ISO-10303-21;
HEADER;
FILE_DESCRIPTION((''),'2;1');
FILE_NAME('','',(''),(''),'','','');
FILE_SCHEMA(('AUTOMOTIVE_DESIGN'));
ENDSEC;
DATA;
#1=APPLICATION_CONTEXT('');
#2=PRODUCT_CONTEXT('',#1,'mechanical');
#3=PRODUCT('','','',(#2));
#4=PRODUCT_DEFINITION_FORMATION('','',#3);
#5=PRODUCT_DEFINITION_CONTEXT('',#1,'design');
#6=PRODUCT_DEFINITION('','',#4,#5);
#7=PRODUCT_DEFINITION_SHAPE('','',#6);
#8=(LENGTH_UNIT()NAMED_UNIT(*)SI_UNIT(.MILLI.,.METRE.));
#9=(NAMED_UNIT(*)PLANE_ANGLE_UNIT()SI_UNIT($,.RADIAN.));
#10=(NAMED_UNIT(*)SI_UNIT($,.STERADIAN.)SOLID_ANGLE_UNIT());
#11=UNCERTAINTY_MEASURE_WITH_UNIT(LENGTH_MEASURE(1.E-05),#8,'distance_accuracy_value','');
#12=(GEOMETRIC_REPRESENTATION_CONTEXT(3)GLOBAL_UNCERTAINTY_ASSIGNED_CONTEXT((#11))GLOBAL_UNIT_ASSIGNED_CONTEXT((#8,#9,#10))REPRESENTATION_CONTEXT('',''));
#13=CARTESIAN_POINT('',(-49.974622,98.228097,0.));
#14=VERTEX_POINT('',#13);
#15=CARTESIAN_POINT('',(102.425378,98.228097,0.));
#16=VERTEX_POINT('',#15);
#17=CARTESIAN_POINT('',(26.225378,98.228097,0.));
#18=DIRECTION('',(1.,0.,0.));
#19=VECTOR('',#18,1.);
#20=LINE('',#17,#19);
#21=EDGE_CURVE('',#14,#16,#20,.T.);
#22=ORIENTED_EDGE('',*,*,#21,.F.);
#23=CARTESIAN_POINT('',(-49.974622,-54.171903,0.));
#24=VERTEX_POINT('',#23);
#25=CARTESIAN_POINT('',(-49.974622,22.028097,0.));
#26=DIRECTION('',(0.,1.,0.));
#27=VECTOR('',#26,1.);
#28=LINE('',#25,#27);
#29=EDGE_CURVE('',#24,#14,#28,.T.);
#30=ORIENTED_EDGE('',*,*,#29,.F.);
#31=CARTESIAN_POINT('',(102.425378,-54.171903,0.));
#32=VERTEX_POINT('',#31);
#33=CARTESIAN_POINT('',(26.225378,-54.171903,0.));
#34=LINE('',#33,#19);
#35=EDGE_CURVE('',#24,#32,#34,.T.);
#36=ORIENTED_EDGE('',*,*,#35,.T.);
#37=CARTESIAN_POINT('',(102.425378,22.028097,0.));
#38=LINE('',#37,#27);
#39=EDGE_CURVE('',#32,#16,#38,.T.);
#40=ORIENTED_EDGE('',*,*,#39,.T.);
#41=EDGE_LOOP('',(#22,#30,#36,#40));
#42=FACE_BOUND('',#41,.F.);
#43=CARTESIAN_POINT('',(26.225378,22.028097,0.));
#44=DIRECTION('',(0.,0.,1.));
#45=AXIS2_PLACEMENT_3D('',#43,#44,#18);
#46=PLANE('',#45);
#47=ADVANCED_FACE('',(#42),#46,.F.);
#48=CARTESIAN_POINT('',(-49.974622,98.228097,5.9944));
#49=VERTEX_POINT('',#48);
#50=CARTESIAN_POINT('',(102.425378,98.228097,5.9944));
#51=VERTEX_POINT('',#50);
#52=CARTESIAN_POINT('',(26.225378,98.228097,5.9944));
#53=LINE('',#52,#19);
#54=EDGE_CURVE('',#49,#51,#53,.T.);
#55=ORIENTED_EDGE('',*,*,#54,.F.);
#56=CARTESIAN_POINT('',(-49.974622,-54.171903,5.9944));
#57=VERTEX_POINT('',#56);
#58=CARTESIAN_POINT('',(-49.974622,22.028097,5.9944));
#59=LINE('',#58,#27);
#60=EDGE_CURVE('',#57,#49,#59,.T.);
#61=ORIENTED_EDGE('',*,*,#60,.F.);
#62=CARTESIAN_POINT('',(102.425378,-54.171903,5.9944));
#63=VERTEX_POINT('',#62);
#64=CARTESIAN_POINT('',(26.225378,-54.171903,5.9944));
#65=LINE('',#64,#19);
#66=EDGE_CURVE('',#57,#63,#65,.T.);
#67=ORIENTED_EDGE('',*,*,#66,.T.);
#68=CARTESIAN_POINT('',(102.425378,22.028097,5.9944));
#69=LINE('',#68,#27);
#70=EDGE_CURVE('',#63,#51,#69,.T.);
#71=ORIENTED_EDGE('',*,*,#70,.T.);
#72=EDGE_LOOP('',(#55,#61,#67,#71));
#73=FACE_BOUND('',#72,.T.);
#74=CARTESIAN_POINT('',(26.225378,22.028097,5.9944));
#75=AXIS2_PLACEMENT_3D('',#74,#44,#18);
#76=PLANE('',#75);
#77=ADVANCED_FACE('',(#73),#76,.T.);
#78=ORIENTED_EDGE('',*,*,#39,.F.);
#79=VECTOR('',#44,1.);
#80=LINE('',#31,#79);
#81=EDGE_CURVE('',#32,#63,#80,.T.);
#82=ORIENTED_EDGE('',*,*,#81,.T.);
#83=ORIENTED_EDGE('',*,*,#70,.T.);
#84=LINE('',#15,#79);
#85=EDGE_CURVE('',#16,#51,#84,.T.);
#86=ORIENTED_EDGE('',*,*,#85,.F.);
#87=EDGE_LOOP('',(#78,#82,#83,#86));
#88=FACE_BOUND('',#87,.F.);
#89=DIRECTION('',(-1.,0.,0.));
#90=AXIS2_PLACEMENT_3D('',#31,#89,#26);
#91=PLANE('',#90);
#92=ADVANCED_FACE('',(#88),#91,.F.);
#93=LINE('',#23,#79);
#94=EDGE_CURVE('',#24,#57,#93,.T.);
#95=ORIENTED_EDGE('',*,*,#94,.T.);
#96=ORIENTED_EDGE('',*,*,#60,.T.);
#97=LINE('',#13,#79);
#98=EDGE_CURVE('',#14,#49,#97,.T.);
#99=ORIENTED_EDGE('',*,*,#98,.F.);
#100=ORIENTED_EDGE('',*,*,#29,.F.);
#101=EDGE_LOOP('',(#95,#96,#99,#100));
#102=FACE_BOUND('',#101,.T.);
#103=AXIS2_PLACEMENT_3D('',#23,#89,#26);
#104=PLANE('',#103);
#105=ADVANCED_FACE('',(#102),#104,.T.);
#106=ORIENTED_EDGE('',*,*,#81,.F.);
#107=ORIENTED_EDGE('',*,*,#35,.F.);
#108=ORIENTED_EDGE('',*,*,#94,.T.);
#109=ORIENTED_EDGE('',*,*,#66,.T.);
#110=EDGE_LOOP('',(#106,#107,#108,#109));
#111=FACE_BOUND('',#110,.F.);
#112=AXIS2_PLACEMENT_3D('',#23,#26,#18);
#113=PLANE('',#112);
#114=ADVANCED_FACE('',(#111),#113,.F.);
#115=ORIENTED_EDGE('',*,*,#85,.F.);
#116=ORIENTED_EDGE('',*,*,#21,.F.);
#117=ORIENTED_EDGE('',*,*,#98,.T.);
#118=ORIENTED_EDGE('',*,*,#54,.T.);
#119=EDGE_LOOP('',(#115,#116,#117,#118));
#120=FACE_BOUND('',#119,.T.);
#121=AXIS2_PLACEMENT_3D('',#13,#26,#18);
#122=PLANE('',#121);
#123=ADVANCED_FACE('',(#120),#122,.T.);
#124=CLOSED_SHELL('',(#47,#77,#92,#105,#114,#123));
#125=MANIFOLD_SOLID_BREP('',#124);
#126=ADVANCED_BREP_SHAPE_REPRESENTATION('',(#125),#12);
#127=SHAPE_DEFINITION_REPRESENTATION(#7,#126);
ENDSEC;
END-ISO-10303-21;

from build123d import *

# Parameters (mm, degrees)
SKETCH_W      = 152.4
SKETCH_H      = 152.4
EXTRUDE_DEPTH = 5.9944


with BuildPart() as part:
    # Sketch → Extrude (new body)
    with BuildSketch(Plane.XY):
        with Locations((26.225378, 22.028097)):
            Rectangle(SKETCH_W, SKETCH_H)
    extrude(amount=EXTRUDE_DEPTH)


solid = part.part
